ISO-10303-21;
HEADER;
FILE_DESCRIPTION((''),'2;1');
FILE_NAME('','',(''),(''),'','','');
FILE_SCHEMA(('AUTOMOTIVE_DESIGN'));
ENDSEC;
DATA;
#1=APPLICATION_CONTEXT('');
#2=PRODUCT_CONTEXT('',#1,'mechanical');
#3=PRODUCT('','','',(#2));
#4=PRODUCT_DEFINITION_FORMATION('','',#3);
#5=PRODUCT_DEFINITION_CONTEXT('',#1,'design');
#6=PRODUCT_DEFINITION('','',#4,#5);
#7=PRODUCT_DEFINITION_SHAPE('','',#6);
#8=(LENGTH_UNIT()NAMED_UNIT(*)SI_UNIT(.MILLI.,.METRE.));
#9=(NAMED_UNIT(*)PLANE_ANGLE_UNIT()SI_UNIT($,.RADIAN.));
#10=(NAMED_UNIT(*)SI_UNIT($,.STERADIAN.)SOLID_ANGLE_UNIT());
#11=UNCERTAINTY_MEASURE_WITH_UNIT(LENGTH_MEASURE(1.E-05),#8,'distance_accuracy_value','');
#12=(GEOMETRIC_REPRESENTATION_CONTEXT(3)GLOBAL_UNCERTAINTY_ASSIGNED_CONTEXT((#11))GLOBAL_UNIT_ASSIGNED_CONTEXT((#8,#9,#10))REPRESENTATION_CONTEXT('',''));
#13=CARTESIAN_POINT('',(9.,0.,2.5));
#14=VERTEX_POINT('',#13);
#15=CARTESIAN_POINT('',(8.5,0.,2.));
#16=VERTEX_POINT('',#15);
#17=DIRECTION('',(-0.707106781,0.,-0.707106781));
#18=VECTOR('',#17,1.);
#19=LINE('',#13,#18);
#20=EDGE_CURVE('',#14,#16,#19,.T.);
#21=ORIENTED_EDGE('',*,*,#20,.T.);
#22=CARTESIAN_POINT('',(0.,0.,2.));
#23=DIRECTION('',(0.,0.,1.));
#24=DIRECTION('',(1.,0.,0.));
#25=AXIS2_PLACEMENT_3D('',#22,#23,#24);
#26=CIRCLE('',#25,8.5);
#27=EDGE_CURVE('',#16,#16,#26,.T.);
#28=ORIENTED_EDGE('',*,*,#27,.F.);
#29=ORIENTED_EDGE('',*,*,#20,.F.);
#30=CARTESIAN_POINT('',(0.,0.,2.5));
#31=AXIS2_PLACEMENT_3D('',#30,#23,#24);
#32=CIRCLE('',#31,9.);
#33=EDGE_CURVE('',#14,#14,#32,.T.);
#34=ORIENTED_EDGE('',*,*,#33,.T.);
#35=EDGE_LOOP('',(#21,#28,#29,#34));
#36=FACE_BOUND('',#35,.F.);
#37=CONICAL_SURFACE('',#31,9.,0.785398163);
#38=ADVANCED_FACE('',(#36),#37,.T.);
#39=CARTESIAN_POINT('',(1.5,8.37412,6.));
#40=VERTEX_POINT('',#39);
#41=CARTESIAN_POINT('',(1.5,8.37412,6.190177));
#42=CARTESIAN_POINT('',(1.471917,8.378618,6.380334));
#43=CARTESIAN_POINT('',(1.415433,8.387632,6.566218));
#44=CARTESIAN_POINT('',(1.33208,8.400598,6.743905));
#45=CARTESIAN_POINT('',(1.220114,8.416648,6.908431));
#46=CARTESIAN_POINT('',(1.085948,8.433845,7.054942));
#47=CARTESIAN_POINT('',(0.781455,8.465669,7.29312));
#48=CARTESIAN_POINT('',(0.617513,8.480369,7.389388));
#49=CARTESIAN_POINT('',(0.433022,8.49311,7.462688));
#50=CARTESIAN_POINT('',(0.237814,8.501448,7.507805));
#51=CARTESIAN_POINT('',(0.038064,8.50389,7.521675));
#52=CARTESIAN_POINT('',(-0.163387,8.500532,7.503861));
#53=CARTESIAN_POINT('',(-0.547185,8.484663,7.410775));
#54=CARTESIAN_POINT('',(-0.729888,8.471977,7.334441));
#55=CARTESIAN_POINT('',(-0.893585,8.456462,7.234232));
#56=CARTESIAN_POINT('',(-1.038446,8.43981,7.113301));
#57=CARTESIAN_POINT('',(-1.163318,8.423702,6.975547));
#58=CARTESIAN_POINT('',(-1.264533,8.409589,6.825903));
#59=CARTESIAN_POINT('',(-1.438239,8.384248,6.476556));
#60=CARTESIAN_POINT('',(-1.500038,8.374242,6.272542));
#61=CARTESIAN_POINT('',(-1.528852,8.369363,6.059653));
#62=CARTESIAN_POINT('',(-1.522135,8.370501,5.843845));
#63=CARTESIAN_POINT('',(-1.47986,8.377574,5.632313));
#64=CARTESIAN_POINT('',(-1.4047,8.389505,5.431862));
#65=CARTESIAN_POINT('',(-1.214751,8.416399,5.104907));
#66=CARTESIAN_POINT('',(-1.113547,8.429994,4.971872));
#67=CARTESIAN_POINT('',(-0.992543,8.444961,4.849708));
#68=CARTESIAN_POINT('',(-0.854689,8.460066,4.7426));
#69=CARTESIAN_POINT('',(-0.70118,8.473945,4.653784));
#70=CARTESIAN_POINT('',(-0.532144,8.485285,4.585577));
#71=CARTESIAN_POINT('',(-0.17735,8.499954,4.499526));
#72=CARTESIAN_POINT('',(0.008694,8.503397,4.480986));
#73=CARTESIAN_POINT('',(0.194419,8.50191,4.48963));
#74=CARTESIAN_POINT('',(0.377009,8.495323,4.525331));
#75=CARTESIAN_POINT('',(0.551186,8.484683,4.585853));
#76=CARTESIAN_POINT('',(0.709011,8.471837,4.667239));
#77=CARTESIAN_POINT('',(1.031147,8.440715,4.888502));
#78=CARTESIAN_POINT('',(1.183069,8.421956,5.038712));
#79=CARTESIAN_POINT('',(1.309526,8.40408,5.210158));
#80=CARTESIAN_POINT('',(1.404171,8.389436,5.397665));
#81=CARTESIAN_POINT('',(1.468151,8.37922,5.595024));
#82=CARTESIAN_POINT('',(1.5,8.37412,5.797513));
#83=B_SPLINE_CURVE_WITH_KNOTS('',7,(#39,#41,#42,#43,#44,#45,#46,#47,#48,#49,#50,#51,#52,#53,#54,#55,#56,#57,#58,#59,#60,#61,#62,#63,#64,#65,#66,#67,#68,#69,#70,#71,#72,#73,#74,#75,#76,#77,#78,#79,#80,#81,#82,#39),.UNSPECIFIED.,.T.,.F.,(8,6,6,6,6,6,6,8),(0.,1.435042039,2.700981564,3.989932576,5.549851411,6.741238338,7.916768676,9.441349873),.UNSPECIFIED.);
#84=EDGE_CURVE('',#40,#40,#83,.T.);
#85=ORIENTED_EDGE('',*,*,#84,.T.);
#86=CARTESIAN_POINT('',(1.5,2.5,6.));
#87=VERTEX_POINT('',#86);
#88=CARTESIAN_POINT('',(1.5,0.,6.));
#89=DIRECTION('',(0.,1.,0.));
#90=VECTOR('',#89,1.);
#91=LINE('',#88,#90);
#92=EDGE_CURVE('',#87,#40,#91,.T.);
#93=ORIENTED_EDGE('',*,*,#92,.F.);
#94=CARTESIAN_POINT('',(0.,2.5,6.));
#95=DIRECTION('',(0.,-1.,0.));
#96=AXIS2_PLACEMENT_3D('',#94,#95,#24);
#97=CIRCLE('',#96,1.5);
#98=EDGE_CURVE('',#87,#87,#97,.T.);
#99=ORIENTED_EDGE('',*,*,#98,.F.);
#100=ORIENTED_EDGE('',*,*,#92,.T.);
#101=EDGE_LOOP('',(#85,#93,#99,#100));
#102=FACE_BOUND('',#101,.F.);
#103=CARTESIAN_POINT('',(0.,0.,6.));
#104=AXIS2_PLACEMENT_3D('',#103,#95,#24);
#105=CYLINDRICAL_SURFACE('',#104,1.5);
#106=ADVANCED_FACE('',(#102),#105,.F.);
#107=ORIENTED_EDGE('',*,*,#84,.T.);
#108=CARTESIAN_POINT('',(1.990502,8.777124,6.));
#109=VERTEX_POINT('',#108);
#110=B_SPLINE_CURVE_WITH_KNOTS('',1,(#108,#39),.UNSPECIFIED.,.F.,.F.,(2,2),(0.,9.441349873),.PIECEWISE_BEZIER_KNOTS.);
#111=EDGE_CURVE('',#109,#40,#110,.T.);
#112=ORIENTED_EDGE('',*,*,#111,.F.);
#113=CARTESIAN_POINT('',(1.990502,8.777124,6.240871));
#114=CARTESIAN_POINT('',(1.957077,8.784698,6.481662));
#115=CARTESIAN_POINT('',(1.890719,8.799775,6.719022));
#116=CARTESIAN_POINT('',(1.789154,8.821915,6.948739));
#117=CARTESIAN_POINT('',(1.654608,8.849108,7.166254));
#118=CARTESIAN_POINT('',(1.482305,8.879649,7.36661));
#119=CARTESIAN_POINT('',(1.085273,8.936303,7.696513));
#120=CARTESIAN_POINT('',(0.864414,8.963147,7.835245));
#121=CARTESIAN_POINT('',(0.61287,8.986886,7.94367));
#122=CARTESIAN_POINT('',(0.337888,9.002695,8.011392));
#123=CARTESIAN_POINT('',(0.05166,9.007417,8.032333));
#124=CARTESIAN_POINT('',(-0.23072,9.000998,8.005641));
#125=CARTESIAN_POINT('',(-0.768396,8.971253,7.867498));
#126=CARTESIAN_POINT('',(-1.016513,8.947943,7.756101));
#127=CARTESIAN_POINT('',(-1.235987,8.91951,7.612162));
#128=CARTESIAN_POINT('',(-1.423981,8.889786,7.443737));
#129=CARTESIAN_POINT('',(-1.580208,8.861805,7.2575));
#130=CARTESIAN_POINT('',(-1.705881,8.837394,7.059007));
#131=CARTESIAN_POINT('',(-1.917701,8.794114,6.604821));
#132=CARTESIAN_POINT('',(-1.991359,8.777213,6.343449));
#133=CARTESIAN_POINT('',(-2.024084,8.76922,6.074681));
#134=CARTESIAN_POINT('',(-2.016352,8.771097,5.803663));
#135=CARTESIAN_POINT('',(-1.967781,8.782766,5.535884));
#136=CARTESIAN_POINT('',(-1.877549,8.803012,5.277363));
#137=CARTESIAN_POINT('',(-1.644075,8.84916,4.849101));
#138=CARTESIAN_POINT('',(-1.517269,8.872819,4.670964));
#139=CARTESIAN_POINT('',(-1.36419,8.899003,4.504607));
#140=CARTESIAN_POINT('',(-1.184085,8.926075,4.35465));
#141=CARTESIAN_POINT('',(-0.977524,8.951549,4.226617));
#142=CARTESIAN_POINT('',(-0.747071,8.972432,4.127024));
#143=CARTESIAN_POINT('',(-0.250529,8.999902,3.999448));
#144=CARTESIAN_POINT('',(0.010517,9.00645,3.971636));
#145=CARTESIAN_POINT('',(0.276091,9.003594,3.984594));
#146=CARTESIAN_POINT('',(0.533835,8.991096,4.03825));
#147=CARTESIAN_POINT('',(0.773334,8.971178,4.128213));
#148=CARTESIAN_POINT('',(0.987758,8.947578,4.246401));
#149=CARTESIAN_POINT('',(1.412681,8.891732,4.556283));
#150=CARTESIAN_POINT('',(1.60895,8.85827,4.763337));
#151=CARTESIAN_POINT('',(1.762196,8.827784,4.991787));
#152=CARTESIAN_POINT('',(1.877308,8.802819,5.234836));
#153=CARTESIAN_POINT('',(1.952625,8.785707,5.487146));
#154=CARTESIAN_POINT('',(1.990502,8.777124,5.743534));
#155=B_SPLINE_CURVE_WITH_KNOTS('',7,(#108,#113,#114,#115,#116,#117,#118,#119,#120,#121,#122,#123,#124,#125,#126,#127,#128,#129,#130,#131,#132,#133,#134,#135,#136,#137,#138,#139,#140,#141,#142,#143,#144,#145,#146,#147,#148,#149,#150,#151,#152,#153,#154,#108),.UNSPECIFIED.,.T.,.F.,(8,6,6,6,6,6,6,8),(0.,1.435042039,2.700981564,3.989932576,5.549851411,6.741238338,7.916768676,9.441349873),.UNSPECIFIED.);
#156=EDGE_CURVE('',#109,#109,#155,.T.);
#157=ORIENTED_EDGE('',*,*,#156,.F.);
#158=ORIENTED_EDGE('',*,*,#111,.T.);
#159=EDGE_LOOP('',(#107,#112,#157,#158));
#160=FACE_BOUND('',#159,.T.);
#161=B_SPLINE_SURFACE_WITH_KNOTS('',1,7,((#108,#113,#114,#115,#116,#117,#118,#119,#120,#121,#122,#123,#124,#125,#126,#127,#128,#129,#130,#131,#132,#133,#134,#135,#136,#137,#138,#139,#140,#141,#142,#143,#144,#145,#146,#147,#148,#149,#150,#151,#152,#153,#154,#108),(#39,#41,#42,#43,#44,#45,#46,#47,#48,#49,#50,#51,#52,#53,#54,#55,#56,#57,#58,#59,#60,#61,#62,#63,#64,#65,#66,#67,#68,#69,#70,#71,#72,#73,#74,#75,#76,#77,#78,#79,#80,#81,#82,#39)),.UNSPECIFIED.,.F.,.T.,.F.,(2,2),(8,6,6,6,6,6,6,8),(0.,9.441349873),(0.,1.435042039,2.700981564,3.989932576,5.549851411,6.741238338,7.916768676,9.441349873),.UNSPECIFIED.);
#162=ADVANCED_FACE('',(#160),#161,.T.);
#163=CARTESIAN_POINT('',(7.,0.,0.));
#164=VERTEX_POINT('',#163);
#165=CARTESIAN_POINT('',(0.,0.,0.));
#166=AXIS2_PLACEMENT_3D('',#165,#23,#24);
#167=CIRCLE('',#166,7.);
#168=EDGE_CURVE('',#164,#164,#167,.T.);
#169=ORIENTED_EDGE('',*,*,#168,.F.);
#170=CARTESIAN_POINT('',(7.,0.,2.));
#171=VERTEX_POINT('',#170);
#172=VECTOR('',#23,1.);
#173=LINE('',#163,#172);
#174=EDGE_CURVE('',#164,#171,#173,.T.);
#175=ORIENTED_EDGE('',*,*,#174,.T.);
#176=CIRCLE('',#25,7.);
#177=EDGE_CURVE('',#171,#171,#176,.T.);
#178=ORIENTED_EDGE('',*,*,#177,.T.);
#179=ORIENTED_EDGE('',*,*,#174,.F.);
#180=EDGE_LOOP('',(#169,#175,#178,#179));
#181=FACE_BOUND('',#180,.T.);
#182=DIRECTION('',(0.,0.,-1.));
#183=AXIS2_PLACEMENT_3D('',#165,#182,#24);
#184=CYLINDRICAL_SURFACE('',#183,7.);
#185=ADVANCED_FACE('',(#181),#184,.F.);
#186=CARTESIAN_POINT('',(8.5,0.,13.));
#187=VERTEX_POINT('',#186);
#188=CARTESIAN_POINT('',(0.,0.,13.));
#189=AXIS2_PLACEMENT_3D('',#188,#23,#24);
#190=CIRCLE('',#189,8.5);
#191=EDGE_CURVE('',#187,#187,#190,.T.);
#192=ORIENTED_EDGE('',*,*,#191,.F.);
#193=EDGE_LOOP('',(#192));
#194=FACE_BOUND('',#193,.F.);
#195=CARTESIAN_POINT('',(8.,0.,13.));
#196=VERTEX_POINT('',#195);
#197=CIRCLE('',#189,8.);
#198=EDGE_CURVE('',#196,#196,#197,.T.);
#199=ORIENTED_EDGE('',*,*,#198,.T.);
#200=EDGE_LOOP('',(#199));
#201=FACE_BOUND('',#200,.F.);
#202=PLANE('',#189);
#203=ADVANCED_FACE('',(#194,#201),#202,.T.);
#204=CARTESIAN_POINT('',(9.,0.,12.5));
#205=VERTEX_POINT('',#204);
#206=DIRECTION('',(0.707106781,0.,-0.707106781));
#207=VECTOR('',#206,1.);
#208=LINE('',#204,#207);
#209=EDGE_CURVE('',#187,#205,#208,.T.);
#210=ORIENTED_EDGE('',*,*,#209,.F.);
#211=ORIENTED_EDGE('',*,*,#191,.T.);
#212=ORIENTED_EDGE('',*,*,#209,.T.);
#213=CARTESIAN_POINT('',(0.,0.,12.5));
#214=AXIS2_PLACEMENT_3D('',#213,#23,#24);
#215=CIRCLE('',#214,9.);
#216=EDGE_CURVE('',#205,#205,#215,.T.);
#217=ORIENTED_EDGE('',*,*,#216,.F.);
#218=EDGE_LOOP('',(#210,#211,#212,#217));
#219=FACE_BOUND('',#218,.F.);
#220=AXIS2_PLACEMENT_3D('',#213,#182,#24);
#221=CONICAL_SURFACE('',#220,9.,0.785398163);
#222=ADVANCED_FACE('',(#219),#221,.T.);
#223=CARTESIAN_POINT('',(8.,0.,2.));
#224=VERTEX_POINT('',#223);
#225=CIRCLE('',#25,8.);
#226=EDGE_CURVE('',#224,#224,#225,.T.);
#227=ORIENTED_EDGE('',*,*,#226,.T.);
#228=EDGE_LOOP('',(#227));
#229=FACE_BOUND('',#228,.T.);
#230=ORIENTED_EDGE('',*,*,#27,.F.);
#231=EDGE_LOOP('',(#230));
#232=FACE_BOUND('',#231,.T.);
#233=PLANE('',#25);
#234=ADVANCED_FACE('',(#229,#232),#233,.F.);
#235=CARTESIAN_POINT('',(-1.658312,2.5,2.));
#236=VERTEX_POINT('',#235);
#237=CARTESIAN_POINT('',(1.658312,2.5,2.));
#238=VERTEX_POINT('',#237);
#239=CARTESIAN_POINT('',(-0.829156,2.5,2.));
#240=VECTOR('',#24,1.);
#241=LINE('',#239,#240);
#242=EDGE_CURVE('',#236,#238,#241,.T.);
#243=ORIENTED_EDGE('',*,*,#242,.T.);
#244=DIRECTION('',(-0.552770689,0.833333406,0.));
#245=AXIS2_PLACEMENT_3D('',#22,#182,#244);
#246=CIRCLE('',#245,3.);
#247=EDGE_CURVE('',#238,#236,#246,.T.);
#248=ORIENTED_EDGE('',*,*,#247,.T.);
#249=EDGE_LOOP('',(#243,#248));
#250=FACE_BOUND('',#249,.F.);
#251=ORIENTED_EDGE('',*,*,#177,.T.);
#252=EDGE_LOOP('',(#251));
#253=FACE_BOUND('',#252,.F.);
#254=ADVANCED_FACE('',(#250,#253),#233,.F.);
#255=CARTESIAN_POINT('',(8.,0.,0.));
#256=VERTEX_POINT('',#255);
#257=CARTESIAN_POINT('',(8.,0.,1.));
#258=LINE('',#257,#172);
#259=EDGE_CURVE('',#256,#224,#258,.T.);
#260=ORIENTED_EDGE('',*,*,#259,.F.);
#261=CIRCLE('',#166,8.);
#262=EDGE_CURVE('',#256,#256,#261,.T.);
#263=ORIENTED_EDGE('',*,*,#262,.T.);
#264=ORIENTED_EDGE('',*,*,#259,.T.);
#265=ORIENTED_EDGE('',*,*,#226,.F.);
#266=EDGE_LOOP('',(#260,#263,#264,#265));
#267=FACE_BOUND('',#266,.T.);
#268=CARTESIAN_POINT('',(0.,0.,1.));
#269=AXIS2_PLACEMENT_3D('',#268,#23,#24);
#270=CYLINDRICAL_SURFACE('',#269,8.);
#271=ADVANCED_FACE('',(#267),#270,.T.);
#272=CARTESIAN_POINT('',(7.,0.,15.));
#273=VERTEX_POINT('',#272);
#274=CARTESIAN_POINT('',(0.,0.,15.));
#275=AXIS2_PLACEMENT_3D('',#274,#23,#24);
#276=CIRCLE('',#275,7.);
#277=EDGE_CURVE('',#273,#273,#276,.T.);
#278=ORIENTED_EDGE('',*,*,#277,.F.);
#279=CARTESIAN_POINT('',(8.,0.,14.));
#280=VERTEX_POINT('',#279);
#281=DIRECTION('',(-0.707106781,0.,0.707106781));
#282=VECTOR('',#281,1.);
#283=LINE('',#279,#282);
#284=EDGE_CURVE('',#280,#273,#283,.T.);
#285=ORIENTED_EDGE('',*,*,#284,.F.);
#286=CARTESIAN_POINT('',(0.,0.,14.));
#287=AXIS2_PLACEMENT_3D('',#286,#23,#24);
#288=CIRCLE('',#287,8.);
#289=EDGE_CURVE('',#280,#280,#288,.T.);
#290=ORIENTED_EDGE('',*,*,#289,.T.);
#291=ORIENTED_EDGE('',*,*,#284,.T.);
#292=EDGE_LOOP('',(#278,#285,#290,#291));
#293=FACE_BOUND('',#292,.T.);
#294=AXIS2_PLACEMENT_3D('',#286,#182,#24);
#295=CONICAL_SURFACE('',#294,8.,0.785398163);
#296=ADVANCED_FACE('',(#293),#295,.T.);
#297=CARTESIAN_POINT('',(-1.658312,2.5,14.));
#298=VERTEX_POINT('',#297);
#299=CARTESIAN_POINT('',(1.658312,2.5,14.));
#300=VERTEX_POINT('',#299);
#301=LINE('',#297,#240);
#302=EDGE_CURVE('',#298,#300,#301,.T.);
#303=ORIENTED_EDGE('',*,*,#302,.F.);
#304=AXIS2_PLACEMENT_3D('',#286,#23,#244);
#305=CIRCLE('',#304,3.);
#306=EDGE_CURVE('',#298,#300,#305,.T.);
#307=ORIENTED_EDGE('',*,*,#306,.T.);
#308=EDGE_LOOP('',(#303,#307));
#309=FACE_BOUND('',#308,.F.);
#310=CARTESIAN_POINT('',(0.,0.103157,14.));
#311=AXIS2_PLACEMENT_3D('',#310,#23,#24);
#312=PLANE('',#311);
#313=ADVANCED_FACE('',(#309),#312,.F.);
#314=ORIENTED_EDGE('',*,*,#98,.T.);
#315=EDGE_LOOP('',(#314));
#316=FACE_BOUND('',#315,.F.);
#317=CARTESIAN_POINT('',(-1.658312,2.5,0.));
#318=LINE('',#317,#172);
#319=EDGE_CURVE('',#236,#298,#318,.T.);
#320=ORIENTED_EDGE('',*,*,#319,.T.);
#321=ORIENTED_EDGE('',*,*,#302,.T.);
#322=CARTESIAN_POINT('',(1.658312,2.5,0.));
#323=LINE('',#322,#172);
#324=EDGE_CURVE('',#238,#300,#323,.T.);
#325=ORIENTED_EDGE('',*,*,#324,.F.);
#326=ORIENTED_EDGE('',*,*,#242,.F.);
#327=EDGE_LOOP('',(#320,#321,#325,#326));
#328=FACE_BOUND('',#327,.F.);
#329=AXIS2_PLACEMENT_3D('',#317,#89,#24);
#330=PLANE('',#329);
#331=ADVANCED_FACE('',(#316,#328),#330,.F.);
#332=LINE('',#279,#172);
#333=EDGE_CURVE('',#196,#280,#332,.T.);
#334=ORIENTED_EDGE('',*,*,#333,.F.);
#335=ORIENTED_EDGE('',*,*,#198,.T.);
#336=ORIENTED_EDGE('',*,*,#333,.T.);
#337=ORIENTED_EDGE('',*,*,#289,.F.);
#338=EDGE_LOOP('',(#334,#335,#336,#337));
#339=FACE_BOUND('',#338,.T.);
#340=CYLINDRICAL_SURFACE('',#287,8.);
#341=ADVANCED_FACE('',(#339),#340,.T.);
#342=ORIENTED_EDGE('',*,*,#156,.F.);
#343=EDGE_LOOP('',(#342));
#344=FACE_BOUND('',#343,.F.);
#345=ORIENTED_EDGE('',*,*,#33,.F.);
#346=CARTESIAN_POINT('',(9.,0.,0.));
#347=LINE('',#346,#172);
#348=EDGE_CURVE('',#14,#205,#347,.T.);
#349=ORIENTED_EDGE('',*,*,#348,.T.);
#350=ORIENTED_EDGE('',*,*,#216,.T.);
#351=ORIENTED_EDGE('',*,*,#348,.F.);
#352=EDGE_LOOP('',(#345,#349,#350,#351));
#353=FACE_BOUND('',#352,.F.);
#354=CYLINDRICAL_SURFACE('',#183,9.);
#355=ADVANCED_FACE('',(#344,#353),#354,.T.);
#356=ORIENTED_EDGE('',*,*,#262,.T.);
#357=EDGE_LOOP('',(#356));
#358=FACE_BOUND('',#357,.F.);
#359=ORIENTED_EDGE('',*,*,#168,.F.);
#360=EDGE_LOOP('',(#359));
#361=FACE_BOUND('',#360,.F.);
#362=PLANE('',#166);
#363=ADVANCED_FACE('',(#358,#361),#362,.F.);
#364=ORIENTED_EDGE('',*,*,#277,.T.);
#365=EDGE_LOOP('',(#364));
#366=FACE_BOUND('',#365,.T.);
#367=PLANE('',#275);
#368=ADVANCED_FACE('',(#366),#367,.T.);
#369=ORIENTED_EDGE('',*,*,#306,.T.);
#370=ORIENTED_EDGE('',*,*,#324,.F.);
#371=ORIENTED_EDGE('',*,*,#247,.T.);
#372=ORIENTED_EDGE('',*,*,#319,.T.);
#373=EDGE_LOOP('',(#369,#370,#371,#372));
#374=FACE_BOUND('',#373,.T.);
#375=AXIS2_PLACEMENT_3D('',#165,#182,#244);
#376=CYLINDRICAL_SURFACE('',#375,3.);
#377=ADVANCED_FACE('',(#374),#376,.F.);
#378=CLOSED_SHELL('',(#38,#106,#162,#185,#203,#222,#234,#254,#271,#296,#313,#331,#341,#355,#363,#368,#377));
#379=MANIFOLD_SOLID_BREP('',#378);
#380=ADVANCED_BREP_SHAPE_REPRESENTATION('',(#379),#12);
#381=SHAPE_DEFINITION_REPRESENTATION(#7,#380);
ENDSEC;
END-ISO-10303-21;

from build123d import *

# Parameters (mm, degrees)
SKETCH_R        = 9
PAD_DEPTH       = 15
POCKET_DEPTH    = 14
SKETCH002_R     = 7
POCKET001_DEPTH = 2
SKETCH003_R     = 1.5
POCKET002_DEPTH = 9.001
SKETCH004_W     = 1
SKETCH004_H     = 2
CHAMFER_SIZE    = 1
CHAMFER001_SIZE = 0.5


with BuildPart() as part:
    # Sketch → Pad (new body)
    with BuildSketch(Plane.XY):
        Circle(SKETCH_R)
    extrude(amount=PAD_DEPTH)

    # Sketch001 → Pocket (cut)
    with BuildSketch(Plane.XY):
        with BuildLine():
            ThreePointArc((-1.658312, 2.5), (0, -3), (1.658312, 2.5))
            Line((-1.658312, 2.5), (1.658312, 2.5))
        make_face()
    extrude(amount=POCKET_DEPTH, mode=Mode.SUBTRACT)

    # Sketch002 → Pocket001 (cut)
    with BuildSketch(Plane.XY):
        Circle(SKETCH002_R)
    extrude(amount=POCKET001_DEPTH, mode=Mode.SUBTRACT)

    # Sketch003 → Pocket002 (cut, through all)
    with BuildSketch(Plane.XZ):
        with Locations((0, 6)):
            Circle(SKETCH003_R)
    extrude(amount=-POCKET002_DEPTH, mode=Mode.SUBTRACT)

    # Sketch004 → Groove (revolve, cut)
    with BuildSketch(Plane.XZ):
        with Locations((8.5, 14)):
            Rectangle(SKETCH004_W, SKETCH004_H)
        with Locations((8.5, 1)):
            Rectangle(SKETCH004_W, SKETCH004_H)
    revolve(axis=Axis((0, 0, 0), (0, 0, 1)), mode=Mode.SUBTRACT)

    # Chamfer
    chamfer_edges = [part.edges().sort_by_distance(p)[0] for p in [
        (-8, 0, 15),
    ]]
    chamfer(chamfer_edges, length=CHAMFER_SIZE)

    # Chamfer001
    chamfer001_edges = [part.edges().sort_by_distance(p)[0] for p in [
        (-9, 0, 2),
        (9, 0, 7.5),
        (-9, 0, 13),
        (-1.5, 8.87412, 6),
    ]]
    chamfer(chamfer001_edges, length=CHAMFER001_SIZE)


solid = part.part
